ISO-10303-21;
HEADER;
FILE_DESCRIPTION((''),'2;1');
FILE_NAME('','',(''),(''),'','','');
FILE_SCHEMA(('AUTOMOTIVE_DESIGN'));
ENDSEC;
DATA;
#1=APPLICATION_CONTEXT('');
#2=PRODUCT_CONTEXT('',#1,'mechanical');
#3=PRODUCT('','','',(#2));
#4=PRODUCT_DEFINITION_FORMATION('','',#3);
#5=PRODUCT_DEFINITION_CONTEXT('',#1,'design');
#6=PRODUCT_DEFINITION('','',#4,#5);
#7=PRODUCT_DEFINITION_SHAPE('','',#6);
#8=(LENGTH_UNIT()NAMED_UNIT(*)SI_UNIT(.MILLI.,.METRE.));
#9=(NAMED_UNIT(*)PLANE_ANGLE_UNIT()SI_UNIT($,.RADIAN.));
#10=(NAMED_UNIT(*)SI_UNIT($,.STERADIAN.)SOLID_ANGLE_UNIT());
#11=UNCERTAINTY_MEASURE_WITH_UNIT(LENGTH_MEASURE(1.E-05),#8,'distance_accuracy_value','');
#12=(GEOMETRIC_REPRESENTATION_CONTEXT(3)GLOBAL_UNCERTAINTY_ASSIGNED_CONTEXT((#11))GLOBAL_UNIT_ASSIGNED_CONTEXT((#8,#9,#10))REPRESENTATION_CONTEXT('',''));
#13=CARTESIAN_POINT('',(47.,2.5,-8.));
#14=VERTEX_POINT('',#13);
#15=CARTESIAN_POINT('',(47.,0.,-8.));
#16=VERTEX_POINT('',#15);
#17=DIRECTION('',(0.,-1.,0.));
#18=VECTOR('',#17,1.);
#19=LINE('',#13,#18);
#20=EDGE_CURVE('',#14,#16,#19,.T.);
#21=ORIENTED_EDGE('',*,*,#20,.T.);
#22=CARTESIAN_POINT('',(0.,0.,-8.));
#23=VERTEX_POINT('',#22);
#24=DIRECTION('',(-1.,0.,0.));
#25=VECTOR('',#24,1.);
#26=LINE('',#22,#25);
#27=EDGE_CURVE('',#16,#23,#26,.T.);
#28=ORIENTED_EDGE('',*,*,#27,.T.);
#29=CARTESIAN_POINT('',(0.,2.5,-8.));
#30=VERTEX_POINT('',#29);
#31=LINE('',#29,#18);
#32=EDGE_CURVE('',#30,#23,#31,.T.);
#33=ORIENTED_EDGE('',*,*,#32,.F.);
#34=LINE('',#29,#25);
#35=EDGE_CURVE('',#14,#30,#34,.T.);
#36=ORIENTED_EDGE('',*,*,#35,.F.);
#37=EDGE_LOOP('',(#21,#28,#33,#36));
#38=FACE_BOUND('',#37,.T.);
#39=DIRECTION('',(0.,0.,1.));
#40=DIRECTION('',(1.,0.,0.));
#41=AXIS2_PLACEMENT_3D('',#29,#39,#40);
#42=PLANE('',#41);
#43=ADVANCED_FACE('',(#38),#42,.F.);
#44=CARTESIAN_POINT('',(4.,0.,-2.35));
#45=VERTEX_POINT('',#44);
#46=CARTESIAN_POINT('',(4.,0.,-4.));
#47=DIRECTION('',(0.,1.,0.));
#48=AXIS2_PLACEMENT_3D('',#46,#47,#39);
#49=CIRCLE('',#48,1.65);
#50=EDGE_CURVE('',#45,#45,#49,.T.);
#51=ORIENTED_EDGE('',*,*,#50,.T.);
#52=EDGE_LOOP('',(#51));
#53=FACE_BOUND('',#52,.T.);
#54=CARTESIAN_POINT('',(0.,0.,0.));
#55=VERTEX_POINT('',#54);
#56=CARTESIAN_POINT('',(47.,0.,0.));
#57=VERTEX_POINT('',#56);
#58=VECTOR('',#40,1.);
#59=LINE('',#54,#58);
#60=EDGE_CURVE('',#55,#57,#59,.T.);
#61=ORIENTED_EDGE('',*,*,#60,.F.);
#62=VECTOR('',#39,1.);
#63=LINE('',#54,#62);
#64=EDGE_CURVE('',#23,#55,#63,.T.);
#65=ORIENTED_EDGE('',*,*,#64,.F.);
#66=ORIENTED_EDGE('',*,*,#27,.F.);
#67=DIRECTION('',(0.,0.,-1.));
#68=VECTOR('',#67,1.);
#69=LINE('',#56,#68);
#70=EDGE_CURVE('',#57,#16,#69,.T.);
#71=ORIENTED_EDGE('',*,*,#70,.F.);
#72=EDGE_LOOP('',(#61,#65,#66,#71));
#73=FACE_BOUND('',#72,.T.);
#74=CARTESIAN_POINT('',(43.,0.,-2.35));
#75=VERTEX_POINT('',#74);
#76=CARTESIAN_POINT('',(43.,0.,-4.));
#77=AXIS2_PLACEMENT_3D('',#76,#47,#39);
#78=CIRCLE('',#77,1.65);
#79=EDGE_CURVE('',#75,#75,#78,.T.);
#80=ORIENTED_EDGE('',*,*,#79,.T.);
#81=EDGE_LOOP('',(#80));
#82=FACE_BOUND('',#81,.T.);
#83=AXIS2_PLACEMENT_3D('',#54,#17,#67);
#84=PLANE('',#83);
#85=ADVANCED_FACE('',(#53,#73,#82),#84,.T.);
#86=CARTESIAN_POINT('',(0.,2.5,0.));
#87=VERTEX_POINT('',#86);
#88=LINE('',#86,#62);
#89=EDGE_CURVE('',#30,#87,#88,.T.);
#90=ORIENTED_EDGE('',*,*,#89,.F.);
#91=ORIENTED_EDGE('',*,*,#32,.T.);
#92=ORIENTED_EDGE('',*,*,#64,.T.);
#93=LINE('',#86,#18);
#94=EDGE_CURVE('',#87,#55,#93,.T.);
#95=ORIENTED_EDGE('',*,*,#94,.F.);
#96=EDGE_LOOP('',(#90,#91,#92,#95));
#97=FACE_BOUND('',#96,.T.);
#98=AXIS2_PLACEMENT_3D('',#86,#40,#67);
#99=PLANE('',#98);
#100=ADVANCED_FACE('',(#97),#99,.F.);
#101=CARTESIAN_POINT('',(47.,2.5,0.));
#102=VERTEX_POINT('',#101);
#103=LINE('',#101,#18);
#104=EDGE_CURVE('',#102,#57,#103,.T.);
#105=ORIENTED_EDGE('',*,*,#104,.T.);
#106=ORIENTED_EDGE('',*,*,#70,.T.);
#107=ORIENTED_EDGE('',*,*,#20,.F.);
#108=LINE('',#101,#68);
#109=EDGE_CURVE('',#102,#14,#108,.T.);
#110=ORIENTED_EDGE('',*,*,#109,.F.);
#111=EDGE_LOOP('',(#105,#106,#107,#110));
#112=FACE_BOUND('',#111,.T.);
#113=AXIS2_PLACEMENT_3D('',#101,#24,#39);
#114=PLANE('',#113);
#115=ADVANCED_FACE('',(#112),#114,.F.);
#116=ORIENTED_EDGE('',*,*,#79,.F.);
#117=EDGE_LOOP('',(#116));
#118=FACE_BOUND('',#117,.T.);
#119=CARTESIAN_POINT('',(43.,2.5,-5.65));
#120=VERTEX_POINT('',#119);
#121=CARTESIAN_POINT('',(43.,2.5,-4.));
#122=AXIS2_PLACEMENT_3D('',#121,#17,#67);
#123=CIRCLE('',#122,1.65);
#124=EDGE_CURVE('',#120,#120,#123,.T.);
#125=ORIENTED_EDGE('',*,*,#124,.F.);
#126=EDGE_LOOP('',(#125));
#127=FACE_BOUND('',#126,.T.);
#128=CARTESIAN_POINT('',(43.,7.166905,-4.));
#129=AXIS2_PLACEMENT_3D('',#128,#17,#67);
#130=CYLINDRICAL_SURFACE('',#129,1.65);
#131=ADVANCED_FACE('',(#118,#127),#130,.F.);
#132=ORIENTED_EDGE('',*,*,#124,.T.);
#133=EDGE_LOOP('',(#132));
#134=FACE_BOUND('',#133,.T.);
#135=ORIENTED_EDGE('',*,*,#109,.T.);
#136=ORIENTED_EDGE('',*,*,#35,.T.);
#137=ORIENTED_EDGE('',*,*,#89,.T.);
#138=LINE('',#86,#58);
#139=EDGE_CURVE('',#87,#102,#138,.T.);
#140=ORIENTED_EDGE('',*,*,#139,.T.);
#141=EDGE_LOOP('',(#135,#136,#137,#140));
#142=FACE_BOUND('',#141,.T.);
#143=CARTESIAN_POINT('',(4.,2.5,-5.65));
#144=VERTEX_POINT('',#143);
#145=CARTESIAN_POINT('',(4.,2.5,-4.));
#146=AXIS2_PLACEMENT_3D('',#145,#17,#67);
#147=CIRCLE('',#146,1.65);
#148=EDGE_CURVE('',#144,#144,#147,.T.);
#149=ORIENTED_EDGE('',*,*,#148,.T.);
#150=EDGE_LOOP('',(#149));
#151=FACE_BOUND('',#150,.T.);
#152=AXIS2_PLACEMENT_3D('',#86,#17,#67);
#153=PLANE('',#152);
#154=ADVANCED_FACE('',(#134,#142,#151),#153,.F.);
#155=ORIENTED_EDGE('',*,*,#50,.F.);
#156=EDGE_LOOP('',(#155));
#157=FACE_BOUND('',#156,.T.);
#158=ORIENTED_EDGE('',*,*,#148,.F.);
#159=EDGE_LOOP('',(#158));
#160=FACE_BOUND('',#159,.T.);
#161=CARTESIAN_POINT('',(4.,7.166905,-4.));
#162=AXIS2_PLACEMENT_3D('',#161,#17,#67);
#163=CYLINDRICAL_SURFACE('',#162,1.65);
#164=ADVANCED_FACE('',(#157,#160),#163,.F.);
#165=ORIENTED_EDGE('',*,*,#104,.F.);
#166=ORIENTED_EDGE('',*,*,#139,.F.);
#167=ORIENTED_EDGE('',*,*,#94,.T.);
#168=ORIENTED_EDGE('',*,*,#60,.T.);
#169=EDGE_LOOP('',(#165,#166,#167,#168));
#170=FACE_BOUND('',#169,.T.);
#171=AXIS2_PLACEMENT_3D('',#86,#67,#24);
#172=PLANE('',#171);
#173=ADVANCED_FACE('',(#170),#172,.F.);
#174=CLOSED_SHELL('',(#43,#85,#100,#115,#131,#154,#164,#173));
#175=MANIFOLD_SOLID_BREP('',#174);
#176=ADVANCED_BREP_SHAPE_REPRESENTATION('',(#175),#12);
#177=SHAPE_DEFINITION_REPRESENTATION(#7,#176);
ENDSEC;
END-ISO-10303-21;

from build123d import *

# Parameters (mm, degrees)
SKETCH1_W           = 47
SKETCH1_H           = 8
BOSS_EXTRUDE1_DEPTH = 2.5
SKETCH2_R           = 1.65
CUT_EXTRUDE1_DEPTH  = 2.5


with BuildPart() as part:
    # Sketch1 → Boss-Extrude1 (new body)
    with BuildSketch(Plane(origin=(0, 0, 0), x_dir=(1, 0, 0), z_dir=(0, 1, 0))):
        with Locations((23.5, 4)):
            Rectangle(SKETCH1_W, SKETCH1_H)
    extrude(amount=BOSS_EXTRUDE1_DEPTH)

    # Sketch2 → Cut-Extrude1 (cut)
    with BuildSketch(Plane(origin=(0, 0, 0), x_dir=(1, 0, 0), z_dir=(0, 1, 0))):
        with Locations(Location((4, 4, 0), (0, 0, 90))):
            Circle(SKETCH2_R)
        with Locations(Location((43, 4, 0), (0, 0, 90))):
            Circle(SKETCH2_R)
    extrude(amount=CUT_EXTRUDE1_DEPTH, mode=Mode.SUBTRACT)


solid = part.part
